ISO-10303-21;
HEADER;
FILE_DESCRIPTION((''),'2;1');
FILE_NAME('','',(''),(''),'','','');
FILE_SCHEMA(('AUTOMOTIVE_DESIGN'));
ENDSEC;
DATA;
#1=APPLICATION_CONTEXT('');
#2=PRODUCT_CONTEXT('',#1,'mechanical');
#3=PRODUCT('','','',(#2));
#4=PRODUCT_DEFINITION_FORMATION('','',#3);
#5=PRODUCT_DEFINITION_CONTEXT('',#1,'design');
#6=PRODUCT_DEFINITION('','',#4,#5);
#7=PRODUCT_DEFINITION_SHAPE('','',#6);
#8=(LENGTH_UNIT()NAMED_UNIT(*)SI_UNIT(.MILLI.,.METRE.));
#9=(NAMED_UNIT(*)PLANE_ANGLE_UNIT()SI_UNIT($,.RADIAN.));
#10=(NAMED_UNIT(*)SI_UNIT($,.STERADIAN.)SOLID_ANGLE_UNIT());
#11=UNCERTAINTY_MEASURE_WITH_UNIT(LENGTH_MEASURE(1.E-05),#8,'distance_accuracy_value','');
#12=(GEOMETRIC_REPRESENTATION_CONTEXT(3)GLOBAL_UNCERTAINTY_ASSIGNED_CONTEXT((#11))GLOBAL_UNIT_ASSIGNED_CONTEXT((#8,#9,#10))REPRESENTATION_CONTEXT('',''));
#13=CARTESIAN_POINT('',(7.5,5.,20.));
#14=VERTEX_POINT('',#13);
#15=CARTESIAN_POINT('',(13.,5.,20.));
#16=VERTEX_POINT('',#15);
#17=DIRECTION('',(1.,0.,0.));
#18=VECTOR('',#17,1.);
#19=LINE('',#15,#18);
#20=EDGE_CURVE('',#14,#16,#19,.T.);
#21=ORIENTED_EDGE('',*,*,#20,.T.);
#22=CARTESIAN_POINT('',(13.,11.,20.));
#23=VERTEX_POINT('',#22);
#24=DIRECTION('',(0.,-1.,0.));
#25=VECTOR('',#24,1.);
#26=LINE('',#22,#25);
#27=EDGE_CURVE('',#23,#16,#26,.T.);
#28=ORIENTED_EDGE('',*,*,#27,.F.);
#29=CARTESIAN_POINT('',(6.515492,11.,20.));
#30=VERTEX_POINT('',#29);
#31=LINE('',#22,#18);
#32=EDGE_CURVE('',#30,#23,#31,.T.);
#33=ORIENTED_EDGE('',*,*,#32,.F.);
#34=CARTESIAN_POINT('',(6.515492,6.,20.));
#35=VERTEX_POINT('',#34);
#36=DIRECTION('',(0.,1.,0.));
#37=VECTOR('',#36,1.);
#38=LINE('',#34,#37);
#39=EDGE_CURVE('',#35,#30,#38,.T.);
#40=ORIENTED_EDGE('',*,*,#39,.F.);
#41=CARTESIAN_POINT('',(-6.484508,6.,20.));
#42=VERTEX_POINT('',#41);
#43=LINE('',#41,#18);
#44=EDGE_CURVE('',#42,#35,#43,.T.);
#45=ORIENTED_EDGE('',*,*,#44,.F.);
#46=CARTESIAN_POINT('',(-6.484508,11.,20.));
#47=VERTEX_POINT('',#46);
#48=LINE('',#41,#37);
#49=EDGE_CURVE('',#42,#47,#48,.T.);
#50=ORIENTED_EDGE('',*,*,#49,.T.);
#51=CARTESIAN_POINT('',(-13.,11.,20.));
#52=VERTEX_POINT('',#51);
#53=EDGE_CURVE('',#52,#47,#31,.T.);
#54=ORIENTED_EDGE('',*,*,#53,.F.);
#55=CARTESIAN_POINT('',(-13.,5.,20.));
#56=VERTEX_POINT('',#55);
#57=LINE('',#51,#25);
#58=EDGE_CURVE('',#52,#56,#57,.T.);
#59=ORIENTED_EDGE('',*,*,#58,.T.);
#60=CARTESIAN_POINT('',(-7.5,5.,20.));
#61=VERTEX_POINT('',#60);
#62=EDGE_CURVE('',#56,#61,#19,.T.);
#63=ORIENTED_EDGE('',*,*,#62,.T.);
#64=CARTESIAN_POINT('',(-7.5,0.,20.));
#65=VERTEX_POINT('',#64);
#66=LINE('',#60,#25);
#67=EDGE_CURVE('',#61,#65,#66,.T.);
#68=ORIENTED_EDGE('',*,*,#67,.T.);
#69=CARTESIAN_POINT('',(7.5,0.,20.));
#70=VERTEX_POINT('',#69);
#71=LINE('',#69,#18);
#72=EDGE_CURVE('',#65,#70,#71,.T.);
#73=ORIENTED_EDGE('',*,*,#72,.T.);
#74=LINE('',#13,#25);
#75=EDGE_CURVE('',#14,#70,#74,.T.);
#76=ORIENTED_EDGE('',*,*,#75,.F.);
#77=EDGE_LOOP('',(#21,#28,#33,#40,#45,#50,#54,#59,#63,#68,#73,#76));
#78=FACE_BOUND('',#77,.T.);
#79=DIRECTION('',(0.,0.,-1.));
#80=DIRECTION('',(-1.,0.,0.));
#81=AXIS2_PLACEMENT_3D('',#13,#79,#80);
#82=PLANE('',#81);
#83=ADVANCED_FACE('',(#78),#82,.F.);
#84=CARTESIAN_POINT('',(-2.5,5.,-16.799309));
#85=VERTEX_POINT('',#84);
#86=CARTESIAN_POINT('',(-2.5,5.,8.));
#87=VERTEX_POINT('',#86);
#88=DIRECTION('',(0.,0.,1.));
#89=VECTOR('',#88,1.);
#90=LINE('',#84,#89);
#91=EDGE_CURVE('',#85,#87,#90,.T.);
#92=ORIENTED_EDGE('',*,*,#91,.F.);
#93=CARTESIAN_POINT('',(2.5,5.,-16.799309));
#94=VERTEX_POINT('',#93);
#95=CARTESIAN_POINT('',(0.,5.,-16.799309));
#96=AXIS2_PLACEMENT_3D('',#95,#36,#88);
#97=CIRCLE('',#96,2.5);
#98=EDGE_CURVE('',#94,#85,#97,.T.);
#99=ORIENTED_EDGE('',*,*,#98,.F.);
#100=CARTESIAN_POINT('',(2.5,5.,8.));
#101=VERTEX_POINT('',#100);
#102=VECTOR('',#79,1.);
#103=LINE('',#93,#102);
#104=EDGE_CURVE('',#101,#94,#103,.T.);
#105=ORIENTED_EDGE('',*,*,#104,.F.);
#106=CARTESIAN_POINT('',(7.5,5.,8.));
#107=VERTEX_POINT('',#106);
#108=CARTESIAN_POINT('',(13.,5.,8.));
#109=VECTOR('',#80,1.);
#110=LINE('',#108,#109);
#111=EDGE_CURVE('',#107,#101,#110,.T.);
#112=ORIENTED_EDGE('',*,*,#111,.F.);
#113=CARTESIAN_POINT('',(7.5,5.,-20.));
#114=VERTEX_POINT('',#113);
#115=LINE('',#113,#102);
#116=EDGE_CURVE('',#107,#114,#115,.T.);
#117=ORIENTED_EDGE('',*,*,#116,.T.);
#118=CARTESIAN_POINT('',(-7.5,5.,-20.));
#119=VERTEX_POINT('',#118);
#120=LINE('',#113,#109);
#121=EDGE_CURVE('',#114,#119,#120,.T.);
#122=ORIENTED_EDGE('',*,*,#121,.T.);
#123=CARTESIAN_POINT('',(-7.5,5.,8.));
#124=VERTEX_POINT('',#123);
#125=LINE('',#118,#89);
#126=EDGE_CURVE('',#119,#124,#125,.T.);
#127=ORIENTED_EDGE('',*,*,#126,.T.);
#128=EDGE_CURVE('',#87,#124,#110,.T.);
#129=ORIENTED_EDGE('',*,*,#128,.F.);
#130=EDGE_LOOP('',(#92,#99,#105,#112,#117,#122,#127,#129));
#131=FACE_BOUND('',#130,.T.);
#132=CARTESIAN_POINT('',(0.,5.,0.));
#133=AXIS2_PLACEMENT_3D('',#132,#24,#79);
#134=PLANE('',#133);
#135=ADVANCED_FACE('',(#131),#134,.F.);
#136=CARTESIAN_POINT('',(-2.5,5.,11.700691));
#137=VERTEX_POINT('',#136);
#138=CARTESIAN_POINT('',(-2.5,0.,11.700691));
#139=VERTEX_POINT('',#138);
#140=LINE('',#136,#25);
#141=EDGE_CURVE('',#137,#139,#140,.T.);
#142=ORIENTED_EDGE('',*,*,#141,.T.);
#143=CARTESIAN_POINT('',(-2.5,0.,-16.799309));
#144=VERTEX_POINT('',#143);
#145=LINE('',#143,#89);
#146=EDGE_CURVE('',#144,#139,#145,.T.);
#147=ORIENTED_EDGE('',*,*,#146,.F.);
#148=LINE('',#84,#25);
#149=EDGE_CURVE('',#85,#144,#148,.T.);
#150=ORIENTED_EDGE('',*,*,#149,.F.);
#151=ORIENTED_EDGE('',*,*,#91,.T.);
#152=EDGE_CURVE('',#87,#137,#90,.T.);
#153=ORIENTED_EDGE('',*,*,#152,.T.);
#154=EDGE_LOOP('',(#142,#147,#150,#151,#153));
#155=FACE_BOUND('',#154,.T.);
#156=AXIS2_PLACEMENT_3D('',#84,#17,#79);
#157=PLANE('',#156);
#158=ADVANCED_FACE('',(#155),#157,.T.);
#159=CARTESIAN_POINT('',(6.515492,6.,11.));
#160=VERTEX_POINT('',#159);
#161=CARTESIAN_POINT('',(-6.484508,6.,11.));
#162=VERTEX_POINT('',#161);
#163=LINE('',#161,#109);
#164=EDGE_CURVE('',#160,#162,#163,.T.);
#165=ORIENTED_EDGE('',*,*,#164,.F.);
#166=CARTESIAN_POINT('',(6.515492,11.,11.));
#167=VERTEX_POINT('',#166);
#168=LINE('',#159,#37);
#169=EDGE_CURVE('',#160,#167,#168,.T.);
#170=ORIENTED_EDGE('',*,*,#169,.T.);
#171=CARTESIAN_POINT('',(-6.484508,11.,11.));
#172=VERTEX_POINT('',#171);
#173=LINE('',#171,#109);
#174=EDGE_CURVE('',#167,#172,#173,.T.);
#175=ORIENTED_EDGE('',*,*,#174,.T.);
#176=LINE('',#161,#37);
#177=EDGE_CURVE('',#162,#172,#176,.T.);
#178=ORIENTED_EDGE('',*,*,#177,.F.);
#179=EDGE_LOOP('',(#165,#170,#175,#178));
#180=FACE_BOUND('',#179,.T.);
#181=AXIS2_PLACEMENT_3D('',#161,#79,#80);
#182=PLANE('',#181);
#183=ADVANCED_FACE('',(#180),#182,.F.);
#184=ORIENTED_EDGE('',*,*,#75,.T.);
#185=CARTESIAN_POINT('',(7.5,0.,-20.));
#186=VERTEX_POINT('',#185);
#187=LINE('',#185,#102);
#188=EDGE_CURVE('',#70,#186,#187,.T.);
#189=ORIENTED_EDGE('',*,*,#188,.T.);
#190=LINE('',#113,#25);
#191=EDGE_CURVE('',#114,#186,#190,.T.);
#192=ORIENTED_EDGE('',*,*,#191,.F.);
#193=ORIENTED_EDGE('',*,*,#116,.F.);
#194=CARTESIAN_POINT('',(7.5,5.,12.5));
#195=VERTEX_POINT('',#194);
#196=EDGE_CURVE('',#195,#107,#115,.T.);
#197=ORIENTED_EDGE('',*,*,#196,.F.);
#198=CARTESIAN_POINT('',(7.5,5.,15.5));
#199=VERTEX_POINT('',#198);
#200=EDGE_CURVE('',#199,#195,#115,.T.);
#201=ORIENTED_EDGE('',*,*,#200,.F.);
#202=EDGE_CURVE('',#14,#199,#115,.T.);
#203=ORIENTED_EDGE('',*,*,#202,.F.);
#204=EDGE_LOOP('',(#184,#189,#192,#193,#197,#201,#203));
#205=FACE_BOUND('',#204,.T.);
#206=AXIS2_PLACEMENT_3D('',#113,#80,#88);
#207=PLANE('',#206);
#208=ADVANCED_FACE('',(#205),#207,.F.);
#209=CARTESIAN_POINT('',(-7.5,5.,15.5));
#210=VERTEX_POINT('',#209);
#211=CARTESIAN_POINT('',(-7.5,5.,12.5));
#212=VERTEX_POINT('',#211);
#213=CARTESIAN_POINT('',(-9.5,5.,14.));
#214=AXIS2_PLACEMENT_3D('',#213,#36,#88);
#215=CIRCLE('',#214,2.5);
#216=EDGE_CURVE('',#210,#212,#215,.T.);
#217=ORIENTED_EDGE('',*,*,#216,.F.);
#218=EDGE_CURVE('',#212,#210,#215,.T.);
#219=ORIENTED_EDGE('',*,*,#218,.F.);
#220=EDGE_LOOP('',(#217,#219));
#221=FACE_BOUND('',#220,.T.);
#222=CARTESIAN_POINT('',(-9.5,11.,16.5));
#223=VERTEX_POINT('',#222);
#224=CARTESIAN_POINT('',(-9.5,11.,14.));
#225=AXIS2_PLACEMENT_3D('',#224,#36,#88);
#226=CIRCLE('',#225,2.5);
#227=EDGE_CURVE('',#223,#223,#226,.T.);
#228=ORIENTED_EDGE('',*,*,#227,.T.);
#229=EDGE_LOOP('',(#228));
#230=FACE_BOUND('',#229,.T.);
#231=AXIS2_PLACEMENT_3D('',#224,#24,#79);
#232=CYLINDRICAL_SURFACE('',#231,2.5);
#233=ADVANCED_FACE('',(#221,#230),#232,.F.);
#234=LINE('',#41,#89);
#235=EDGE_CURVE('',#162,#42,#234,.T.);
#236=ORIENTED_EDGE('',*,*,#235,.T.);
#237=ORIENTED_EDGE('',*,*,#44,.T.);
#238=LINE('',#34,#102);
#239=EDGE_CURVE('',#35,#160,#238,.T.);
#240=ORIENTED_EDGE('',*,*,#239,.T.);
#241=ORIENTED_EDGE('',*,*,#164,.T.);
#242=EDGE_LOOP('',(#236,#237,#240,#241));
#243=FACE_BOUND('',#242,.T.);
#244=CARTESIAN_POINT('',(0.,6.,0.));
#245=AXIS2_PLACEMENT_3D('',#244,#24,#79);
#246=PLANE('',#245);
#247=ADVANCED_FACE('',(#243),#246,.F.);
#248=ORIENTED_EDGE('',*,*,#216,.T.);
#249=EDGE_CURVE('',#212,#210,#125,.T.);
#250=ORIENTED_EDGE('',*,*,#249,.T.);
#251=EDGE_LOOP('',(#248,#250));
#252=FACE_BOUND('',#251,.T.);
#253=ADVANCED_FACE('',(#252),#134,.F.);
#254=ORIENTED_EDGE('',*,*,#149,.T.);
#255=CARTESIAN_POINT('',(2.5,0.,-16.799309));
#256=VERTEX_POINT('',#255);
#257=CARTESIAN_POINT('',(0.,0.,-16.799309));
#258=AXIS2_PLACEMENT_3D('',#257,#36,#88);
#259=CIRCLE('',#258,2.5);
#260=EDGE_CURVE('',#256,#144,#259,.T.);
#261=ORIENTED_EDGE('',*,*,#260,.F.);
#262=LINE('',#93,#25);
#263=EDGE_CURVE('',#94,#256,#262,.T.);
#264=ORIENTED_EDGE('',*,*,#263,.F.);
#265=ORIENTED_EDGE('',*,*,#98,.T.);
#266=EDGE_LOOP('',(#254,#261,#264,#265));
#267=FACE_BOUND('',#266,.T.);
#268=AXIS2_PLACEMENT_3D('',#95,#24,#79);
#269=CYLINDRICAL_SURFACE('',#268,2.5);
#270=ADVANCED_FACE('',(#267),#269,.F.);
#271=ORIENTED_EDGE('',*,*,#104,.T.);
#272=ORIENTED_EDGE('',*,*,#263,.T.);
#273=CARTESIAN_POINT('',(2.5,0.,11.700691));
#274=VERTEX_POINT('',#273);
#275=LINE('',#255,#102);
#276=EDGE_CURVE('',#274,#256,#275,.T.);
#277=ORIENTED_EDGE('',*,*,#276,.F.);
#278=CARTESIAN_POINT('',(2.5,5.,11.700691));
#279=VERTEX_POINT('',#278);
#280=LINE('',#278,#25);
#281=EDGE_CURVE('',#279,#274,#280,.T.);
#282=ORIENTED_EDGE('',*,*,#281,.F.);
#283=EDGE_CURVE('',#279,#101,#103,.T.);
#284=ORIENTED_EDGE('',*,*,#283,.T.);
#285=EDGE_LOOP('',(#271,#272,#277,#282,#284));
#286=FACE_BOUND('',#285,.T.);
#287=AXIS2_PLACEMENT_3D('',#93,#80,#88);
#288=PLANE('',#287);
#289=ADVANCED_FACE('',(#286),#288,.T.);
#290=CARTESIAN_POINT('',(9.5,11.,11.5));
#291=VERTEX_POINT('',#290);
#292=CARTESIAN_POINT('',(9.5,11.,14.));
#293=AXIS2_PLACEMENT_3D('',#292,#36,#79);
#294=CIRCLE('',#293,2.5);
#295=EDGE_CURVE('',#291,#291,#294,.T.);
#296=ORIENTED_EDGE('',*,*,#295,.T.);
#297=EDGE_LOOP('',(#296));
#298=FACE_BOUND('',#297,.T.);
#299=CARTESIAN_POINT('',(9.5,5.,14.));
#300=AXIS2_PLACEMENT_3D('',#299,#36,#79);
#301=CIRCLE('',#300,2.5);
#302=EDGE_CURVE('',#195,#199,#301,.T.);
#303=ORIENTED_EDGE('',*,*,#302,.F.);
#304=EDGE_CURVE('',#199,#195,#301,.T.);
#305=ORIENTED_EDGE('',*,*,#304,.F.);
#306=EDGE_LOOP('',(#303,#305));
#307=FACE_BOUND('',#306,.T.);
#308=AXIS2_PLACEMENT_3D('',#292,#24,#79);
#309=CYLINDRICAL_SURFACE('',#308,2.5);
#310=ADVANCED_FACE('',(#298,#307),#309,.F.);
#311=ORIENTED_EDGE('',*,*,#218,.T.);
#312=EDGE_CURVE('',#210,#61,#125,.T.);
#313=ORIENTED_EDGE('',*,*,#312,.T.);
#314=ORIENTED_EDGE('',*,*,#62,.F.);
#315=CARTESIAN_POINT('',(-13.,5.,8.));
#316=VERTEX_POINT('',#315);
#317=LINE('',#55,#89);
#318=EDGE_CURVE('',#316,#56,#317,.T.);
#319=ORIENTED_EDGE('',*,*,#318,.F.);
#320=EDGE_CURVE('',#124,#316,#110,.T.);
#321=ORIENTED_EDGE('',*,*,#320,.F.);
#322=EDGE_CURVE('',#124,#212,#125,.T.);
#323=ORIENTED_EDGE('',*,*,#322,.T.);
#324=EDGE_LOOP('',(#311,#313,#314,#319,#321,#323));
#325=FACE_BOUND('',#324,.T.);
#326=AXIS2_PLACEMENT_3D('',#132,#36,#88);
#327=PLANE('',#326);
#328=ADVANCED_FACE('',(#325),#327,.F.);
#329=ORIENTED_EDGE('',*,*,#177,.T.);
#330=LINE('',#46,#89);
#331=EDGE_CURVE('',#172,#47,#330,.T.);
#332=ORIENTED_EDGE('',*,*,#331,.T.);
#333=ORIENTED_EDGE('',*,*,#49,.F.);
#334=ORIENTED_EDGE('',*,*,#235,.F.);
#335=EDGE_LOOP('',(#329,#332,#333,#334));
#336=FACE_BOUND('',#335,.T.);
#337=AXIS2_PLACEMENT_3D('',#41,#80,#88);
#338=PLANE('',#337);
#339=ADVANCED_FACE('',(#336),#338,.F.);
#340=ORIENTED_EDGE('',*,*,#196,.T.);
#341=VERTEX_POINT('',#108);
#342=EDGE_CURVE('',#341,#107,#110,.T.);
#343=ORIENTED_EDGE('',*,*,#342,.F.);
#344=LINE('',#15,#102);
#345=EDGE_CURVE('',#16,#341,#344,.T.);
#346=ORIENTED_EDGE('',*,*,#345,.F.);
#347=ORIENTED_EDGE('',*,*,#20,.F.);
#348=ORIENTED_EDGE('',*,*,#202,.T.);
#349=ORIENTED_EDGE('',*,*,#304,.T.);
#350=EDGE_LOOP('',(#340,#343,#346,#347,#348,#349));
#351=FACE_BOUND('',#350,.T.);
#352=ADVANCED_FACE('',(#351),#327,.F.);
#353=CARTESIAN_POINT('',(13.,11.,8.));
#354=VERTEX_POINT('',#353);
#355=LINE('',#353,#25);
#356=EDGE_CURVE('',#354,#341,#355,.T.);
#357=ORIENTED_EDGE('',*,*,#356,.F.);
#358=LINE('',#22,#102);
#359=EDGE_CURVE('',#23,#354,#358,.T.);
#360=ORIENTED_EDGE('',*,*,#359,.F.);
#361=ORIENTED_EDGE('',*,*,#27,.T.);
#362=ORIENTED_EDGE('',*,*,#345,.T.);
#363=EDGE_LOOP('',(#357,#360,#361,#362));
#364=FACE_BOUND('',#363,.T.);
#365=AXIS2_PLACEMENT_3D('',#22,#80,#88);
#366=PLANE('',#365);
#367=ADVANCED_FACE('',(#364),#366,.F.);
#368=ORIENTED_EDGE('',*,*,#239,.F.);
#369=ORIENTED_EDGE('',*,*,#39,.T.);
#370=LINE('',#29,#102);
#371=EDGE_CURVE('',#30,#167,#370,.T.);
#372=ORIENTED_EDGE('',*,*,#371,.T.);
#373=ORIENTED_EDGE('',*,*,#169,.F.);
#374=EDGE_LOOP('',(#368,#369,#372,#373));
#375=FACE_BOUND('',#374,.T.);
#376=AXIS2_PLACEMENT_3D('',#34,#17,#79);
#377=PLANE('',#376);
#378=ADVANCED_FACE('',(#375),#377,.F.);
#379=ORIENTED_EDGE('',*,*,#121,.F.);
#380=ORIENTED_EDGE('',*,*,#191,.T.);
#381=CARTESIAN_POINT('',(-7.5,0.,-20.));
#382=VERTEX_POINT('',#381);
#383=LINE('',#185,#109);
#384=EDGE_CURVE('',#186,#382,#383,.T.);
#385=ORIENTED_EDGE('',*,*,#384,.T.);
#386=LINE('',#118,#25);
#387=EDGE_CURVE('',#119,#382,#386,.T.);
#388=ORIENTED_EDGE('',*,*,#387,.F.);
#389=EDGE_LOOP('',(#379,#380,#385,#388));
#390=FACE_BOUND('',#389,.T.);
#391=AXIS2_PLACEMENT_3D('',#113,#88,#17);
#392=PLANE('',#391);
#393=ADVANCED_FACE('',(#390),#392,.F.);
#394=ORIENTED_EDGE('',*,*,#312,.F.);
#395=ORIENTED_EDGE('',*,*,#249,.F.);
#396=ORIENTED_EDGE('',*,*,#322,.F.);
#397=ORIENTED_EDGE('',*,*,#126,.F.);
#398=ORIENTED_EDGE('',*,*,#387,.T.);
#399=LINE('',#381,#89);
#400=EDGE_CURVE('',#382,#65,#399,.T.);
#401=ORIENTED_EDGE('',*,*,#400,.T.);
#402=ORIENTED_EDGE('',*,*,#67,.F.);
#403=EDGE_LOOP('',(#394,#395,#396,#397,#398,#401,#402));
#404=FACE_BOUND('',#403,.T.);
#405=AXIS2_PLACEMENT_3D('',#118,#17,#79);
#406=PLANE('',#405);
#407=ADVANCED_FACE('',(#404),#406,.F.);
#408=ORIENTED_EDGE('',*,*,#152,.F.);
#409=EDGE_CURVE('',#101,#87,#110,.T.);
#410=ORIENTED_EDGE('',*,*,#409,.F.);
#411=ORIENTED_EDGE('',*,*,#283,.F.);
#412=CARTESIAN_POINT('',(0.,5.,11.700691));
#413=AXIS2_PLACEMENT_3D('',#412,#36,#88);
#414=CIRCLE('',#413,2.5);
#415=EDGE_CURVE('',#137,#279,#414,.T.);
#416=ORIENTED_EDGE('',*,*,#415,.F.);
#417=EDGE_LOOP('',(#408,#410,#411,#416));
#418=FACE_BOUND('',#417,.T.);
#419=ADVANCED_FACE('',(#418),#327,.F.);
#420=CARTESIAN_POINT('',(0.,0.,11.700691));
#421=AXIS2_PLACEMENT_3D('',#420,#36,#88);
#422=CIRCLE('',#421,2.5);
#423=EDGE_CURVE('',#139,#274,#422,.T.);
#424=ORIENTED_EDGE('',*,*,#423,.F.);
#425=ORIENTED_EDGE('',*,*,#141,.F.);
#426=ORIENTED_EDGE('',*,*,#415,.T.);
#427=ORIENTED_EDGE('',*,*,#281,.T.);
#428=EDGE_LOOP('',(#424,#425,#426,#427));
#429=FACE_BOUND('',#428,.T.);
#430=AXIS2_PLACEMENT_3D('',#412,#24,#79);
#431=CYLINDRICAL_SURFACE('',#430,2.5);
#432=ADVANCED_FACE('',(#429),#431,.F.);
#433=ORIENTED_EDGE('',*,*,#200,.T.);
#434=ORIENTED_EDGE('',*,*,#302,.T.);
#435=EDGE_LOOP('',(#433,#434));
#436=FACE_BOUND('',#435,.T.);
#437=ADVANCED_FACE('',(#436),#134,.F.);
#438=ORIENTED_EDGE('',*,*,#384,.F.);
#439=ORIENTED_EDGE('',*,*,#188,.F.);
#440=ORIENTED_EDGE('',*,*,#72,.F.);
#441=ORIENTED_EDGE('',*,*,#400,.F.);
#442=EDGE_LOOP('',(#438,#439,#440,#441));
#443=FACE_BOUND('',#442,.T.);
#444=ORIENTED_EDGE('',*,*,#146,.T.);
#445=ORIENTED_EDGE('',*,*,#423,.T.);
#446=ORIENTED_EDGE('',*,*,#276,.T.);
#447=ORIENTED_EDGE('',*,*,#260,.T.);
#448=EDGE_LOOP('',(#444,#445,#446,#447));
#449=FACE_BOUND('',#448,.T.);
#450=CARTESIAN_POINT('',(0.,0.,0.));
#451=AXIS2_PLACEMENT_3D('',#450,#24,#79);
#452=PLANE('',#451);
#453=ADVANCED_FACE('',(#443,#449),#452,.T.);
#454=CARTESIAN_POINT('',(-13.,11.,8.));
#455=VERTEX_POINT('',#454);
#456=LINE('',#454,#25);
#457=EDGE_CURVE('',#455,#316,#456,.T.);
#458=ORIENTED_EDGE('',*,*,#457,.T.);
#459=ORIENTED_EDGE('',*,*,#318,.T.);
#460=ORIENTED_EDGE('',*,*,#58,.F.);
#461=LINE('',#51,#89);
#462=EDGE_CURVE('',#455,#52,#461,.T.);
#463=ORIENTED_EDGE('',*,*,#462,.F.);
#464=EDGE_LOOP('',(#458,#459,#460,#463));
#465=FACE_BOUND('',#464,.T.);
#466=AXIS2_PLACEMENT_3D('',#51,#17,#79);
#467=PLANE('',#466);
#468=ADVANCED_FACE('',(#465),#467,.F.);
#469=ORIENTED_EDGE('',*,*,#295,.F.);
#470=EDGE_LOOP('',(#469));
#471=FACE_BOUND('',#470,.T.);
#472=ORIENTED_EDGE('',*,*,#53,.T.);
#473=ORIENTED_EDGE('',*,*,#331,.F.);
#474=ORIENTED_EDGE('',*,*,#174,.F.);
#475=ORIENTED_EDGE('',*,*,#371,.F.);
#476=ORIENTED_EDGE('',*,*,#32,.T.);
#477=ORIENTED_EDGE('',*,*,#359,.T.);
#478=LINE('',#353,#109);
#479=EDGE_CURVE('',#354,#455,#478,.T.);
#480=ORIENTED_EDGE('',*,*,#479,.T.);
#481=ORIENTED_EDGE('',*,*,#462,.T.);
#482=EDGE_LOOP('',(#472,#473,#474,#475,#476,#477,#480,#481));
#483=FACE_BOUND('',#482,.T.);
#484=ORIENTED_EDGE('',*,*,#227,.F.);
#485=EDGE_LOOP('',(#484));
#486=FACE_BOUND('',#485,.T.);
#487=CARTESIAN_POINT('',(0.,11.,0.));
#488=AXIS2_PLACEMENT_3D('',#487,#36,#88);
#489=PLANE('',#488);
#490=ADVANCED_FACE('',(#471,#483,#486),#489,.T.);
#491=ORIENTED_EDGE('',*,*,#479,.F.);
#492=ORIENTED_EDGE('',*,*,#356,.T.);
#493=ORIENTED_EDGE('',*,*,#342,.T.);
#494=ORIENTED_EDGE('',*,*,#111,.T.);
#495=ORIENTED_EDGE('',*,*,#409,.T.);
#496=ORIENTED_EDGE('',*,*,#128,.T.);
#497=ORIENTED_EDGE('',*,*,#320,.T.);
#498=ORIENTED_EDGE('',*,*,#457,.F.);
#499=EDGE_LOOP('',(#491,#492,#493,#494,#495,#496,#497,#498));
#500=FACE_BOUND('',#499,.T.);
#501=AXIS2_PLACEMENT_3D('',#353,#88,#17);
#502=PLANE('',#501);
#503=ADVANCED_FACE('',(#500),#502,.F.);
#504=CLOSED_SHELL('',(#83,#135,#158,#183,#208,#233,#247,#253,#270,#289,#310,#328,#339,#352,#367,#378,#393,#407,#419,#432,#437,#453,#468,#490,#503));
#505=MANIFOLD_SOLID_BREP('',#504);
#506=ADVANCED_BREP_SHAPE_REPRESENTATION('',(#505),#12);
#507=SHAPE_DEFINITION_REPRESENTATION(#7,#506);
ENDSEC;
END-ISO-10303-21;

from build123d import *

# Parameters (mm, degrees)
SKETCH_1_W          = 15
SKETCH_1_H          = 40
EXTRUDE_1_DEPTH     = 5
SKETCH_2_W          = 26
SKETCH_2_H          = 12
SKETCH_2_R          = 2.5
EXTRUDE_2_DEPTH     = 6
SKETCH_3_W          = 13
SKETCH_3_H          = 9
CUT_EXTRUDE_1_DEPTH = 5


with BuildPart() as part:
    # 草圖1 → 填料-伸長1 (new body)
    with BuildSketch(Plane(origin=(0, 0, 0), x_dir=(1, 0, 0), z_dir=(0, 1, 0))):
        Rectangle(SKETCH_1_W, SKETCH_1_H)
        with BuildLine():
            Line((2.5, 16.799309419), (2.5, -11.700690581))
            ThreePointArc((2.5, -11.700690581), (0, -14.200690581), (-2.5, -11.700690581))
            Line((-2.5, -11.700690581), (-2.5, 16.799309419))
            ThreePointArc((-2.5, 16.799309419), (0, 19.299309419), (2.5, 16.799309419))
        make_face(mode=Mode.SUBTRACT)
    extrude(amount=EXTRUDE_1_DEPTH)

    # 草圖2 → 填料-伸長2 (add)
    with BuildSketch(Plane(origin=(0, 5, 0), x_dir=(1, 0, 0), z_dir=(0, 1, 0))):
        with Locations((0, -14)):
            Rectangle(SKETCH_2_W, SKETCH_2_H)
        with Locations(Location((-9.5, -14, 0), (0, 0, 36.869897646))):
            Circle(SKETCH_2_R, mode=Mode.SUBTRACT)
        with Locations(Location((9.5, -14, 0), (0, 0, 90))):
            Circle(SKETCH_2_R, mode=Mode.SUBTRACT)
    extrude(amount=EXTRUDE_2_DEPTH)

    # 草圖3 → 除料-伸長1 (cut)
    with BuildSketch(Plane(origin=(0, 11, 0), x_dir=(1, 0, 0), z_dir=(0, 1, 0))):
        with Locations((0.015491802, -15.5)):
            Rectangle(SKETCH_3_W, SKETCH_3_H)
    extrude(amount=-CUT_EXTRUDE_1_DEPTH, mode=Mode.SUBTRACT)


solid = part.part
